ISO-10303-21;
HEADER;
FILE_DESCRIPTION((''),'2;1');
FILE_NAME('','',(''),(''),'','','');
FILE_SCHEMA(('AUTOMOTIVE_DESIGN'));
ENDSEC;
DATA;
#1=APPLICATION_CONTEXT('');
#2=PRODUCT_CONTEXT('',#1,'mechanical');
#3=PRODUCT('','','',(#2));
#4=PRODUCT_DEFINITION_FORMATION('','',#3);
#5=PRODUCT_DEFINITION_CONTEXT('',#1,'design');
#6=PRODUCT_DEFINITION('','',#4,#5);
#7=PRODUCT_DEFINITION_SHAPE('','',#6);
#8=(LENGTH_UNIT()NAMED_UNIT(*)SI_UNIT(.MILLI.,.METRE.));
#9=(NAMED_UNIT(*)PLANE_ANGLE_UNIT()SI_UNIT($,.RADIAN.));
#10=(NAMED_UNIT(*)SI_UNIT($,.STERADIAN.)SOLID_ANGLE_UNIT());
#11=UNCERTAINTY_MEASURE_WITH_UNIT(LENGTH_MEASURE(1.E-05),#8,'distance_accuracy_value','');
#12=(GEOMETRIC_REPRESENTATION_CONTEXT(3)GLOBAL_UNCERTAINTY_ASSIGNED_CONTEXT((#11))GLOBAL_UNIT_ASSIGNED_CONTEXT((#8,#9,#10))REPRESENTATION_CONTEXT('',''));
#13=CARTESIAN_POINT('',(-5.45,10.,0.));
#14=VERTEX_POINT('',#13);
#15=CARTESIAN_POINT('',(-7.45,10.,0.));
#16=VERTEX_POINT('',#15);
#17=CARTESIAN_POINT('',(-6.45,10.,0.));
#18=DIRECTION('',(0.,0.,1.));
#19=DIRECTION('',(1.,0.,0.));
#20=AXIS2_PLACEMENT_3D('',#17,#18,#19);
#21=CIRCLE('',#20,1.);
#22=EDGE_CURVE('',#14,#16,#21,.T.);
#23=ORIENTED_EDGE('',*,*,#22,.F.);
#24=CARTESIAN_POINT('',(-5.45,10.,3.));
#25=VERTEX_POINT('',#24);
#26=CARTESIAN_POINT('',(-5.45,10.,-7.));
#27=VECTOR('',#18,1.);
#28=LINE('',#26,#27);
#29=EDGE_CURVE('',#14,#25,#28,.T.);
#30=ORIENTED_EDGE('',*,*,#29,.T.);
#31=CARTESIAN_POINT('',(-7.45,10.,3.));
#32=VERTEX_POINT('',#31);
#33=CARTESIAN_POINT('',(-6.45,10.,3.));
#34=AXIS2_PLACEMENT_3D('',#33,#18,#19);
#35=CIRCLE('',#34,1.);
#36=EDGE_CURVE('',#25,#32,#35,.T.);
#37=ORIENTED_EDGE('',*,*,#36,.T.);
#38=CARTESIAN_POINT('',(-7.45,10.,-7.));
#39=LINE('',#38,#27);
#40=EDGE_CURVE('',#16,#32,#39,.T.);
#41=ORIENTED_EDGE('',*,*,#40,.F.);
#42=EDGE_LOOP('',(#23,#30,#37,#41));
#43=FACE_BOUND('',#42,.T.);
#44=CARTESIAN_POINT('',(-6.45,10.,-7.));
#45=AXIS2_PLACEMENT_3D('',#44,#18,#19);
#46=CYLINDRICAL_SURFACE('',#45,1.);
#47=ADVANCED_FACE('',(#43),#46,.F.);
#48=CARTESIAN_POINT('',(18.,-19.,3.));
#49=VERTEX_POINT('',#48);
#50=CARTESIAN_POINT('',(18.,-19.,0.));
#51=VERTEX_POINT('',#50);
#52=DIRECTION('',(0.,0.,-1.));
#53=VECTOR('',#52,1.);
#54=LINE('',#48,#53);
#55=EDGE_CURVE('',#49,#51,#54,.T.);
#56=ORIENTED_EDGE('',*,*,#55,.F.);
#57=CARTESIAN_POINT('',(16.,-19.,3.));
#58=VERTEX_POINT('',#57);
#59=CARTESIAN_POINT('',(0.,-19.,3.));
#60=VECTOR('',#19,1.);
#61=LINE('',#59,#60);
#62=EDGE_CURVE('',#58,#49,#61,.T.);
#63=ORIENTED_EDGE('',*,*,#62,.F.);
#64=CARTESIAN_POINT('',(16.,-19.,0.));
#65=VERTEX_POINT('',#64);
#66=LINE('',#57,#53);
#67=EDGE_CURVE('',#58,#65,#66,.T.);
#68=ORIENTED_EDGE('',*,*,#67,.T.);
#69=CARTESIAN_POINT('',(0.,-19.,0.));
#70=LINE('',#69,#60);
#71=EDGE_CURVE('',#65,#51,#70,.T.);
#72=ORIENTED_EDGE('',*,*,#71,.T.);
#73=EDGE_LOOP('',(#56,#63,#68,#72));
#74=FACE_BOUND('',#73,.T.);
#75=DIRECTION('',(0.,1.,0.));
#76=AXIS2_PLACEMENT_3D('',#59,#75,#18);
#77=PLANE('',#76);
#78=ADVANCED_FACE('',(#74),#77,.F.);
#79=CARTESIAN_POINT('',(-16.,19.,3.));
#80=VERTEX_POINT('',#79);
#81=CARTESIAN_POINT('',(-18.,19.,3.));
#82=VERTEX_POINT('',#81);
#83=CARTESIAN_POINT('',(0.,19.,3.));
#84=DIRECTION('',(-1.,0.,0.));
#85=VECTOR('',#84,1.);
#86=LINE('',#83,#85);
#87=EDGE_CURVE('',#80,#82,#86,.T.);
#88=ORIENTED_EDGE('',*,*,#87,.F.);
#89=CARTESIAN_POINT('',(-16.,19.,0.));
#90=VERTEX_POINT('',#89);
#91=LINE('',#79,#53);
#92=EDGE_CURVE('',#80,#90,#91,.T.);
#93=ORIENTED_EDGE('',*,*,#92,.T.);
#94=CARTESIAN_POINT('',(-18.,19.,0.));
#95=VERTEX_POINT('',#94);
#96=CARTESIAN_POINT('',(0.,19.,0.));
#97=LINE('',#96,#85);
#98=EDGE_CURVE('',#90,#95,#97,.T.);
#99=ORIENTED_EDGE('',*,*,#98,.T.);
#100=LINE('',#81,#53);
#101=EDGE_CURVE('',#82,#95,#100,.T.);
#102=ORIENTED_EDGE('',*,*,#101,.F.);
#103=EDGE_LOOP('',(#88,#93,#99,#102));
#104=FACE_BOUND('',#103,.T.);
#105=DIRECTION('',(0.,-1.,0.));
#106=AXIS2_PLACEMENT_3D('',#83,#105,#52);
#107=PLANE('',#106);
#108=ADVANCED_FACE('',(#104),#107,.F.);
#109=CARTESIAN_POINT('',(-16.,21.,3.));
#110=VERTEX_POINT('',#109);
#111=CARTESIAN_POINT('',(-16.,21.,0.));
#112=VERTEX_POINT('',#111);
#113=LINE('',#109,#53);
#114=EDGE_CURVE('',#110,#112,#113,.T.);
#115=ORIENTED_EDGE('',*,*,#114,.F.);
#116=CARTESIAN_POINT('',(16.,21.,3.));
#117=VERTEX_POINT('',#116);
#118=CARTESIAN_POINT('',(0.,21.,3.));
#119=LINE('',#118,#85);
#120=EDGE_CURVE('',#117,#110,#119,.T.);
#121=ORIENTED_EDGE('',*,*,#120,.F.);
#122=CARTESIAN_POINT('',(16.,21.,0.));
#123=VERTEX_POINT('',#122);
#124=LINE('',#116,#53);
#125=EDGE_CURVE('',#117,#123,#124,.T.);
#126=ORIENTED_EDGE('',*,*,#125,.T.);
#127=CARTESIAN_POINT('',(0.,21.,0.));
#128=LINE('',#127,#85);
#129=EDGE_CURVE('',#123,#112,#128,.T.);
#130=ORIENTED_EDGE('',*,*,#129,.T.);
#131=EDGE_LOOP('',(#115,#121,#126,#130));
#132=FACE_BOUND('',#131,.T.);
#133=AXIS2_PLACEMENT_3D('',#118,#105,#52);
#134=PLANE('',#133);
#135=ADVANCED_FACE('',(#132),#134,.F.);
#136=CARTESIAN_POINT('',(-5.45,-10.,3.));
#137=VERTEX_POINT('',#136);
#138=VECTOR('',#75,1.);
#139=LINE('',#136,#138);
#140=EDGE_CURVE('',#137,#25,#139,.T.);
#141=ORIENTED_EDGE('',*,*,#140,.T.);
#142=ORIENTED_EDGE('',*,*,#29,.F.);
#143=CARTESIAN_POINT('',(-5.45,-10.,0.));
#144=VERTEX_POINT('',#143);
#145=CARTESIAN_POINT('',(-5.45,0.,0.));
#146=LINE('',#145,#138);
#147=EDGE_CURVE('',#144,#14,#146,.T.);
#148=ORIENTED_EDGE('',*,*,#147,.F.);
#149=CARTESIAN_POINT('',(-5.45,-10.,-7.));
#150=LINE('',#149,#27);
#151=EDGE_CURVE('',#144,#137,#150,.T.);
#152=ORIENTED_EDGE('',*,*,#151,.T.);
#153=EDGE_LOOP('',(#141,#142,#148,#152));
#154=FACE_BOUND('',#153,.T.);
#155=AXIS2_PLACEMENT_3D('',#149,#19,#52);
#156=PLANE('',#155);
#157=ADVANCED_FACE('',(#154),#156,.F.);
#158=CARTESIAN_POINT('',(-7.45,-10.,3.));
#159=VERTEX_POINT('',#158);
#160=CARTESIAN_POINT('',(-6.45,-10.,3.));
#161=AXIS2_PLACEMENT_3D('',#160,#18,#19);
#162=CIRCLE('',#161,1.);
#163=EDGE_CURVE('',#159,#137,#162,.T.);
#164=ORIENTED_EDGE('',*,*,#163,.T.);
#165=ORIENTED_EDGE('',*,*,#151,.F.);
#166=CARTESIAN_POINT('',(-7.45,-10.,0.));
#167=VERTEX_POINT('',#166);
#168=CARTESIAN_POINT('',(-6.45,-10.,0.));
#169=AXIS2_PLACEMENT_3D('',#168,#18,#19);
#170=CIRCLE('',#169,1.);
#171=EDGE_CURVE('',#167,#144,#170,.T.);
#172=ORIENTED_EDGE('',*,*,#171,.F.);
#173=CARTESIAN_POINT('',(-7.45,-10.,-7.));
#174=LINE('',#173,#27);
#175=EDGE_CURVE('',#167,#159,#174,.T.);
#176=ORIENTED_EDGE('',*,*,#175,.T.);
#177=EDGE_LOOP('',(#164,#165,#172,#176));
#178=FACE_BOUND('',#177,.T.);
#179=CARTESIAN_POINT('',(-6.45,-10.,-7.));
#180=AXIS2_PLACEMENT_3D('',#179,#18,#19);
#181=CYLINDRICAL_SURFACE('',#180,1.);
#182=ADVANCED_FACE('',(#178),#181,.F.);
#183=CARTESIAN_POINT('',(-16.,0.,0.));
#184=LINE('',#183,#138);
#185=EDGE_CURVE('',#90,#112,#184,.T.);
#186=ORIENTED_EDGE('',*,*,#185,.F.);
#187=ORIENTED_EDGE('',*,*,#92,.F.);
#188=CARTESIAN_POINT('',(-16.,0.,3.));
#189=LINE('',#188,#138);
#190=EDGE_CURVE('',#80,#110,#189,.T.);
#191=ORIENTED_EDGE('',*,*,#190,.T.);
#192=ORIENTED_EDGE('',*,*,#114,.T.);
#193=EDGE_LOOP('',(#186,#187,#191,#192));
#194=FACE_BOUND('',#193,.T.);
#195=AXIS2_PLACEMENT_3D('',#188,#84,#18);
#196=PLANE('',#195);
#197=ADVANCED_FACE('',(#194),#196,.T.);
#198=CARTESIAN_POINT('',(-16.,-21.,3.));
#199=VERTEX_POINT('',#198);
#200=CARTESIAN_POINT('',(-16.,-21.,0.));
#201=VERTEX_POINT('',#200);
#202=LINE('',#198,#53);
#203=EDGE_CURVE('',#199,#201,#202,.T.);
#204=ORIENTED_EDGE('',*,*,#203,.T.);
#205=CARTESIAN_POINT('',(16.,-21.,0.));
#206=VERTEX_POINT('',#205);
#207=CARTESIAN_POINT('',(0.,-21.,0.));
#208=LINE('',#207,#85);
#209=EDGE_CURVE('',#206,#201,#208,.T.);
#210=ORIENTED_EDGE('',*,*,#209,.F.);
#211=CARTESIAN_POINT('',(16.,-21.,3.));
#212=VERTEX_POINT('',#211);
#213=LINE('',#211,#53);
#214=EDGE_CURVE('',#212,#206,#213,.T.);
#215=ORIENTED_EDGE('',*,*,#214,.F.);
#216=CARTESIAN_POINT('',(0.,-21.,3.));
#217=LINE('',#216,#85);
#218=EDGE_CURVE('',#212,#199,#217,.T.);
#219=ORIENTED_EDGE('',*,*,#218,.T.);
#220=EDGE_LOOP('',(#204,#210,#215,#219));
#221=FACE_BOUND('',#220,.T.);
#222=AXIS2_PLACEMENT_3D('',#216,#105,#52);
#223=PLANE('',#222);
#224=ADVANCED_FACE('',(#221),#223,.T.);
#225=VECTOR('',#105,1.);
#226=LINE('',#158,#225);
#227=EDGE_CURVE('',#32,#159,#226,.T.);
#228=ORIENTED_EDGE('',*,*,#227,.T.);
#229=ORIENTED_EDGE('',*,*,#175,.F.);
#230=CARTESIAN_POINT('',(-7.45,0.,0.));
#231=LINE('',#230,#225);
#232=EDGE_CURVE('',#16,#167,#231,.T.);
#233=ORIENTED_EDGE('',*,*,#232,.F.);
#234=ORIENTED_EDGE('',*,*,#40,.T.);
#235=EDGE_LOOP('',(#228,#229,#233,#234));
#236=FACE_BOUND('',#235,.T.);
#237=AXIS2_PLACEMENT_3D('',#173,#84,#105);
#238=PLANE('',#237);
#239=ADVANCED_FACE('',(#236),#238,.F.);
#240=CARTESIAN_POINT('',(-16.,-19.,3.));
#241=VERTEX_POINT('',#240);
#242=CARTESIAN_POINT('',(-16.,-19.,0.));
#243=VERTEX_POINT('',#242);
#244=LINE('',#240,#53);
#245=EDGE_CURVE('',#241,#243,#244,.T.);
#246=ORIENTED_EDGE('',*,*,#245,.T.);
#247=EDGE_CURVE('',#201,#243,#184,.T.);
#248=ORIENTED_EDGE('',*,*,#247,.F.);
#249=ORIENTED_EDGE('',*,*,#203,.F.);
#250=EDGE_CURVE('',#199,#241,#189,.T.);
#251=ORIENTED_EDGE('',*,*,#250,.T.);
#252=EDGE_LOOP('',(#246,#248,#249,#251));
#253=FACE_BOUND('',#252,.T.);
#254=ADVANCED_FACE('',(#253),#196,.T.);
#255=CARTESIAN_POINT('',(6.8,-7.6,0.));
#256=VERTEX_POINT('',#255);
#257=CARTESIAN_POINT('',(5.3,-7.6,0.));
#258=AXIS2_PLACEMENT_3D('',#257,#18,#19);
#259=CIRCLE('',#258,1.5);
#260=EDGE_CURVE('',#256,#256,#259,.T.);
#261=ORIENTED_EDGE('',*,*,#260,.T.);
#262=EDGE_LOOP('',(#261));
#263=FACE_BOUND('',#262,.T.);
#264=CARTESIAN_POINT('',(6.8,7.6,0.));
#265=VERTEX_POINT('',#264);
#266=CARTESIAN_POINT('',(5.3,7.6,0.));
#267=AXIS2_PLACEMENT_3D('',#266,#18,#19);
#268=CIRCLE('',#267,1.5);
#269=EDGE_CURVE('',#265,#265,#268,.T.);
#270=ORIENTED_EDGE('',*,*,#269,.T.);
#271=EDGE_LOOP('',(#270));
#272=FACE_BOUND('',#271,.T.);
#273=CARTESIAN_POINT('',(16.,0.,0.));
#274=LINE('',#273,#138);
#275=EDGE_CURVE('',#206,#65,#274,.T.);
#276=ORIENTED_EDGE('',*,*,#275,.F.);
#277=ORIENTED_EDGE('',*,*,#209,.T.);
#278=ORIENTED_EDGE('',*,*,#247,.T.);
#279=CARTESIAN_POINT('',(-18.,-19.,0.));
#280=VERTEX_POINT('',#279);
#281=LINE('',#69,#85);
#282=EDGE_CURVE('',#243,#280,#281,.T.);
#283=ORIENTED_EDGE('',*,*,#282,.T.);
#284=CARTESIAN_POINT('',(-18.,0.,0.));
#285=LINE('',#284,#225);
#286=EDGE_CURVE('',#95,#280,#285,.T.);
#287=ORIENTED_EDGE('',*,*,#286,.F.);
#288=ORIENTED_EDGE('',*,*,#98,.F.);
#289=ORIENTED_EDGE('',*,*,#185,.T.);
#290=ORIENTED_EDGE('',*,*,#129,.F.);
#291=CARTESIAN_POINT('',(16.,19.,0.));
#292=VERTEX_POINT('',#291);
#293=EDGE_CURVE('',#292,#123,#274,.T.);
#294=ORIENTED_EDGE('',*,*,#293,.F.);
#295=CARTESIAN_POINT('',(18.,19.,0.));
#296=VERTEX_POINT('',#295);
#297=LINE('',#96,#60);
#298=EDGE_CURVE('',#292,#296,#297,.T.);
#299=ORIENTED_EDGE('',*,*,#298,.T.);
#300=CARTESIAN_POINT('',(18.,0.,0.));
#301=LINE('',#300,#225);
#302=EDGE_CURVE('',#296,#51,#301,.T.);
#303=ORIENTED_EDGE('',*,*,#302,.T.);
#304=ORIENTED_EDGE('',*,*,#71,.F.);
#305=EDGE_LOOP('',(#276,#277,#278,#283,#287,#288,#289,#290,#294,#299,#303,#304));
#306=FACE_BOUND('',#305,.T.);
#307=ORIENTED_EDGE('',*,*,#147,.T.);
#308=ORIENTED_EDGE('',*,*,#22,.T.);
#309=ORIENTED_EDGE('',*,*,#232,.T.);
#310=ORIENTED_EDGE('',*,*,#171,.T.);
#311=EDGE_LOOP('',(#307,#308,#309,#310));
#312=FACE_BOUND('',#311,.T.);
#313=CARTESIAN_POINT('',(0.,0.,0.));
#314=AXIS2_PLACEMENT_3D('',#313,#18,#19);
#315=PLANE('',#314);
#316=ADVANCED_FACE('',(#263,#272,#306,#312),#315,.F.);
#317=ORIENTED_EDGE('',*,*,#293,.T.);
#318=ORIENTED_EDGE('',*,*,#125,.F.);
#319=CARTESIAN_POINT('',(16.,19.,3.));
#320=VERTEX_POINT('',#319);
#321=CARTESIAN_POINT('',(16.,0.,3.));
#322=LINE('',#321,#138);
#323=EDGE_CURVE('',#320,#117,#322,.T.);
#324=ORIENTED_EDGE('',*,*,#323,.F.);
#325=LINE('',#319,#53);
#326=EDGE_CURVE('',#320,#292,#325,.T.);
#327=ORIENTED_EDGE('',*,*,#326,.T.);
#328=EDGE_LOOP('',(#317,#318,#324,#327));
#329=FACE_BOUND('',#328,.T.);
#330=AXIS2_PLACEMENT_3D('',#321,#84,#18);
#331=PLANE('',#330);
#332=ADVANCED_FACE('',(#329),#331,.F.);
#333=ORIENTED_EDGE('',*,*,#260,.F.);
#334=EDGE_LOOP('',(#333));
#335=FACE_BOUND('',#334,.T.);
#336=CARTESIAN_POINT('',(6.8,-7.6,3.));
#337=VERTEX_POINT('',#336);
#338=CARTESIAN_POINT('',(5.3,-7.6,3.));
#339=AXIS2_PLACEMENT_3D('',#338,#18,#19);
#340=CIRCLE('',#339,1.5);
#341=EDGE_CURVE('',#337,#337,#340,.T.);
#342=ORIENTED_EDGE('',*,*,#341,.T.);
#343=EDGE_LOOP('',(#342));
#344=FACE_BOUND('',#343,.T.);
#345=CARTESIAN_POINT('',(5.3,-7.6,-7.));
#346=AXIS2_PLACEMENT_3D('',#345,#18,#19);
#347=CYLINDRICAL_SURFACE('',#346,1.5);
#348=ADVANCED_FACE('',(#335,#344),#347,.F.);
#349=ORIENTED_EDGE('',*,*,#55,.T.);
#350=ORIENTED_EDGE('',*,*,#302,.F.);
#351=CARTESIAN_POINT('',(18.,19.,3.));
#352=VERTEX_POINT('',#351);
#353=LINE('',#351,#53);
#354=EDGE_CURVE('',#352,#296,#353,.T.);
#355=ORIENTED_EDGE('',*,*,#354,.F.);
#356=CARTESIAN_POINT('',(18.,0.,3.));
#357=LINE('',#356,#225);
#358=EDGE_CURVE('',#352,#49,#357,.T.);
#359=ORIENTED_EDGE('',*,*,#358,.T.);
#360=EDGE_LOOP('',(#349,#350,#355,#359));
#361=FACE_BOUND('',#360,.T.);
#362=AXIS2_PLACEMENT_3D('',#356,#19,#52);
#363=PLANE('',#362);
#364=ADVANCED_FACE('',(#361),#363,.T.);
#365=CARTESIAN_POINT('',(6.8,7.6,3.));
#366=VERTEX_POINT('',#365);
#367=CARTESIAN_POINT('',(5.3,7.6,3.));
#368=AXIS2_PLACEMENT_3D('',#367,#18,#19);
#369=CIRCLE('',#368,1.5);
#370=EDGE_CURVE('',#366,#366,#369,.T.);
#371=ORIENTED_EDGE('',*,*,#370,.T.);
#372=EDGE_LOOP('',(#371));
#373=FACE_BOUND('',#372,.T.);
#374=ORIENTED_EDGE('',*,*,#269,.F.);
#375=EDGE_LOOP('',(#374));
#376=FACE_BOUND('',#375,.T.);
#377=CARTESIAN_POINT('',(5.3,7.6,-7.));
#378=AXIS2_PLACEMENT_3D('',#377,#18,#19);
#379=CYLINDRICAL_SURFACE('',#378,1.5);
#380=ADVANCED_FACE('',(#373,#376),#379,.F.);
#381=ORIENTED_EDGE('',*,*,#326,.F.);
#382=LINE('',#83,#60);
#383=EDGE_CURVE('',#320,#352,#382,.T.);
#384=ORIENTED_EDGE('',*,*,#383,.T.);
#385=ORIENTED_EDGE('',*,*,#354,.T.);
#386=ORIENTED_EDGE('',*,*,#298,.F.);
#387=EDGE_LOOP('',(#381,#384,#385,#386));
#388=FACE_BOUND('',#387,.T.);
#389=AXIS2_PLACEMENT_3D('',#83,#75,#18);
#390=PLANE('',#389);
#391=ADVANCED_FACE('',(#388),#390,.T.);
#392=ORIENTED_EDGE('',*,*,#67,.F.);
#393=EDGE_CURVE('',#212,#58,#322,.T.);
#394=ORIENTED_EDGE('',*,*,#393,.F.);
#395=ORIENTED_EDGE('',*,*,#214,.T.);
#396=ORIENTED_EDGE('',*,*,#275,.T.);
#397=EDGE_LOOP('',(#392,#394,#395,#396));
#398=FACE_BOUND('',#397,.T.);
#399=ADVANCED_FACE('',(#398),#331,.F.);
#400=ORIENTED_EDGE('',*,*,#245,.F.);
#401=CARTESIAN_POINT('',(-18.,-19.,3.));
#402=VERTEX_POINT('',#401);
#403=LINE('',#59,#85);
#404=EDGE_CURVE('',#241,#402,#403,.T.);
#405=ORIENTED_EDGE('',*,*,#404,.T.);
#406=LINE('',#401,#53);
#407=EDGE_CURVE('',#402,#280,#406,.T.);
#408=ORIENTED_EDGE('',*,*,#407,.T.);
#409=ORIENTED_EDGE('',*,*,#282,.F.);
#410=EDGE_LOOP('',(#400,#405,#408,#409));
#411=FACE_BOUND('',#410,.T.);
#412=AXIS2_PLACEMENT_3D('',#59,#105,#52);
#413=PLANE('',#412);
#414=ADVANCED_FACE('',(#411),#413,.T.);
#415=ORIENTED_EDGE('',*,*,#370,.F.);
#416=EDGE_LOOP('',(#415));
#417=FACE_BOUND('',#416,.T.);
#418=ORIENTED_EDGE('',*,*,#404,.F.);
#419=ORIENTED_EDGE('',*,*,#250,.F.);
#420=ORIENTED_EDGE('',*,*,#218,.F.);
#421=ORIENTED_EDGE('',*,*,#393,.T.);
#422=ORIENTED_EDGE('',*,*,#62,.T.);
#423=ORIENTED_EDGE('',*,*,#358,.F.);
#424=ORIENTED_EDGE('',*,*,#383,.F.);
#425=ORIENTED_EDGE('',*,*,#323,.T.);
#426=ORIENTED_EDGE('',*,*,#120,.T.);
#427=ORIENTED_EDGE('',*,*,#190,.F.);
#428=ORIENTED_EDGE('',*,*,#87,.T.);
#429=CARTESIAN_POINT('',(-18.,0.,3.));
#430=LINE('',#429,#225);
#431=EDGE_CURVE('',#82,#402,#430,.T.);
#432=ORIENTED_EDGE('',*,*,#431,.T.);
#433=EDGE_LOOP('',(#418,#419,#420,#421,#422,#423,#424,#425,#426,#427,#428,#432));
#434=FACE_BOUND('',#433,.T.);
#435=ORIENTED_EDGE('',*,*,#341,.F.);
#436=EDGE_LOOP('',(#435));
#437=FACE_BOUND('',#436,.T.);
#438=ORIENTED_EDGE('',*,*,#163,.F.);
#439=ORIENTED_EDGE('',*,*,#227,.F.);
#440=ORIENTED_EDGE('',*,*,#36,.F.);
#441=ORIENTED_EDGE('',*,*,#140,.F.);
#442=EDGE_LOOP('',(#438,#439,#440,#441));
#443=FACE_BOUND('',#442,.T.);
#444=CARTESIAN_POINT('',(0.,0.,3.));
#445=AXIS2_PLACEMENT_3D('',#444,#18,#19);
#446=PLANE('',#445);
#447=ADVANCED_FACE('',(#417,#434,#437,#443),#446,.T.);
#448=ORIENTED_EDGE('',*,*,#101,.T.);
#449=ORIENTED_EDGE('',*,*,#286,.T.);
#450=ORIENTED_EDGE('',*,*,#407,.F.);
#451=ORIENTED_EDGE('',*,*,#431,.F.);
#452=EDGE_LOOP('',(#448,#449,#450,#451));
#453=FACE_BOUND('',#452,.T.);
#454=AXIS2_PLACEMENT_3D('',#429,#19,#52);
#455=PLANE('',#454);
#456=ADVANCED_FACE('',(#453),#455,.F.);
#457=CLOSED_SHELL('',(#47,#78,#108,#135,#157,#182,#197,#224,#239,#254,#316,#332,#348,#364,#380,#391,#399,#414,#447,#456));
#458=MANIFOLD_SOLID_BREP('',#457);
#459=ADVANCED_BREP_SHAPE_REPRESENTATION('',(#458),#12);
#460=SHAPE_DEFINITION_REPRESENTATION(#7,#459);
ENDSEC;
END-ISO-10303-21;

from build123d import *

# Parameters (mm, degrees)
SKETCH_1_W          = 32
SKETCH_1_H          = 42
SKETCH_1_W_2        = 2
SKETCH_1_H_2        = 38
EXTRUDE_1_DEPTH     = 3
SKETCH_2_R          = 1.5
CUT_EXTRUDE_1_DEPTH = 10


with BuildPart() as part:
    # 草图1 → 凸台-拉伸1 (new body)
    with BuildSketch(Plane.XY):
        Rectangle(SKETCH_1_W, SKETCH_1_H)
        with Locations((-17, 0)):
            Rectangle(SKETCH_1_W_2, SKETCH_1_H_2)
        with Locations((17, 0)):
            Rectangle(SKETCH_1_W_2, SKETCH_1_H_2)
    extrude(amount=EXTRUDE_1_DEPTH)

    # 草图2 → 切除-拉伸1 (cut)
    with BuildSketch(Plane.XY.offset(3)):
        with Locations((5.3, -7.6)):
            Circle(SKETCH_2_R)
        with Locations((5.3, 7.6)):
            Circle(SKETCH_2_R)
        with BuildLine():
            Line((-7.45, -10), (-7.45, 10))
            ThreePointArc((-7.45, 10), (-6.45, 11), (-5.45, 10))
            Line((-5.45, 10), (-5.45, -10))
            ThreePointArc((-5.45, -10), (-6.45, -11), (-7.45, -10))
        make_face()
    extrude(amount=-CUT_EXTRUDE_1_DEPTH, mode=Mode.SUBTRACT)


solid = part.part
